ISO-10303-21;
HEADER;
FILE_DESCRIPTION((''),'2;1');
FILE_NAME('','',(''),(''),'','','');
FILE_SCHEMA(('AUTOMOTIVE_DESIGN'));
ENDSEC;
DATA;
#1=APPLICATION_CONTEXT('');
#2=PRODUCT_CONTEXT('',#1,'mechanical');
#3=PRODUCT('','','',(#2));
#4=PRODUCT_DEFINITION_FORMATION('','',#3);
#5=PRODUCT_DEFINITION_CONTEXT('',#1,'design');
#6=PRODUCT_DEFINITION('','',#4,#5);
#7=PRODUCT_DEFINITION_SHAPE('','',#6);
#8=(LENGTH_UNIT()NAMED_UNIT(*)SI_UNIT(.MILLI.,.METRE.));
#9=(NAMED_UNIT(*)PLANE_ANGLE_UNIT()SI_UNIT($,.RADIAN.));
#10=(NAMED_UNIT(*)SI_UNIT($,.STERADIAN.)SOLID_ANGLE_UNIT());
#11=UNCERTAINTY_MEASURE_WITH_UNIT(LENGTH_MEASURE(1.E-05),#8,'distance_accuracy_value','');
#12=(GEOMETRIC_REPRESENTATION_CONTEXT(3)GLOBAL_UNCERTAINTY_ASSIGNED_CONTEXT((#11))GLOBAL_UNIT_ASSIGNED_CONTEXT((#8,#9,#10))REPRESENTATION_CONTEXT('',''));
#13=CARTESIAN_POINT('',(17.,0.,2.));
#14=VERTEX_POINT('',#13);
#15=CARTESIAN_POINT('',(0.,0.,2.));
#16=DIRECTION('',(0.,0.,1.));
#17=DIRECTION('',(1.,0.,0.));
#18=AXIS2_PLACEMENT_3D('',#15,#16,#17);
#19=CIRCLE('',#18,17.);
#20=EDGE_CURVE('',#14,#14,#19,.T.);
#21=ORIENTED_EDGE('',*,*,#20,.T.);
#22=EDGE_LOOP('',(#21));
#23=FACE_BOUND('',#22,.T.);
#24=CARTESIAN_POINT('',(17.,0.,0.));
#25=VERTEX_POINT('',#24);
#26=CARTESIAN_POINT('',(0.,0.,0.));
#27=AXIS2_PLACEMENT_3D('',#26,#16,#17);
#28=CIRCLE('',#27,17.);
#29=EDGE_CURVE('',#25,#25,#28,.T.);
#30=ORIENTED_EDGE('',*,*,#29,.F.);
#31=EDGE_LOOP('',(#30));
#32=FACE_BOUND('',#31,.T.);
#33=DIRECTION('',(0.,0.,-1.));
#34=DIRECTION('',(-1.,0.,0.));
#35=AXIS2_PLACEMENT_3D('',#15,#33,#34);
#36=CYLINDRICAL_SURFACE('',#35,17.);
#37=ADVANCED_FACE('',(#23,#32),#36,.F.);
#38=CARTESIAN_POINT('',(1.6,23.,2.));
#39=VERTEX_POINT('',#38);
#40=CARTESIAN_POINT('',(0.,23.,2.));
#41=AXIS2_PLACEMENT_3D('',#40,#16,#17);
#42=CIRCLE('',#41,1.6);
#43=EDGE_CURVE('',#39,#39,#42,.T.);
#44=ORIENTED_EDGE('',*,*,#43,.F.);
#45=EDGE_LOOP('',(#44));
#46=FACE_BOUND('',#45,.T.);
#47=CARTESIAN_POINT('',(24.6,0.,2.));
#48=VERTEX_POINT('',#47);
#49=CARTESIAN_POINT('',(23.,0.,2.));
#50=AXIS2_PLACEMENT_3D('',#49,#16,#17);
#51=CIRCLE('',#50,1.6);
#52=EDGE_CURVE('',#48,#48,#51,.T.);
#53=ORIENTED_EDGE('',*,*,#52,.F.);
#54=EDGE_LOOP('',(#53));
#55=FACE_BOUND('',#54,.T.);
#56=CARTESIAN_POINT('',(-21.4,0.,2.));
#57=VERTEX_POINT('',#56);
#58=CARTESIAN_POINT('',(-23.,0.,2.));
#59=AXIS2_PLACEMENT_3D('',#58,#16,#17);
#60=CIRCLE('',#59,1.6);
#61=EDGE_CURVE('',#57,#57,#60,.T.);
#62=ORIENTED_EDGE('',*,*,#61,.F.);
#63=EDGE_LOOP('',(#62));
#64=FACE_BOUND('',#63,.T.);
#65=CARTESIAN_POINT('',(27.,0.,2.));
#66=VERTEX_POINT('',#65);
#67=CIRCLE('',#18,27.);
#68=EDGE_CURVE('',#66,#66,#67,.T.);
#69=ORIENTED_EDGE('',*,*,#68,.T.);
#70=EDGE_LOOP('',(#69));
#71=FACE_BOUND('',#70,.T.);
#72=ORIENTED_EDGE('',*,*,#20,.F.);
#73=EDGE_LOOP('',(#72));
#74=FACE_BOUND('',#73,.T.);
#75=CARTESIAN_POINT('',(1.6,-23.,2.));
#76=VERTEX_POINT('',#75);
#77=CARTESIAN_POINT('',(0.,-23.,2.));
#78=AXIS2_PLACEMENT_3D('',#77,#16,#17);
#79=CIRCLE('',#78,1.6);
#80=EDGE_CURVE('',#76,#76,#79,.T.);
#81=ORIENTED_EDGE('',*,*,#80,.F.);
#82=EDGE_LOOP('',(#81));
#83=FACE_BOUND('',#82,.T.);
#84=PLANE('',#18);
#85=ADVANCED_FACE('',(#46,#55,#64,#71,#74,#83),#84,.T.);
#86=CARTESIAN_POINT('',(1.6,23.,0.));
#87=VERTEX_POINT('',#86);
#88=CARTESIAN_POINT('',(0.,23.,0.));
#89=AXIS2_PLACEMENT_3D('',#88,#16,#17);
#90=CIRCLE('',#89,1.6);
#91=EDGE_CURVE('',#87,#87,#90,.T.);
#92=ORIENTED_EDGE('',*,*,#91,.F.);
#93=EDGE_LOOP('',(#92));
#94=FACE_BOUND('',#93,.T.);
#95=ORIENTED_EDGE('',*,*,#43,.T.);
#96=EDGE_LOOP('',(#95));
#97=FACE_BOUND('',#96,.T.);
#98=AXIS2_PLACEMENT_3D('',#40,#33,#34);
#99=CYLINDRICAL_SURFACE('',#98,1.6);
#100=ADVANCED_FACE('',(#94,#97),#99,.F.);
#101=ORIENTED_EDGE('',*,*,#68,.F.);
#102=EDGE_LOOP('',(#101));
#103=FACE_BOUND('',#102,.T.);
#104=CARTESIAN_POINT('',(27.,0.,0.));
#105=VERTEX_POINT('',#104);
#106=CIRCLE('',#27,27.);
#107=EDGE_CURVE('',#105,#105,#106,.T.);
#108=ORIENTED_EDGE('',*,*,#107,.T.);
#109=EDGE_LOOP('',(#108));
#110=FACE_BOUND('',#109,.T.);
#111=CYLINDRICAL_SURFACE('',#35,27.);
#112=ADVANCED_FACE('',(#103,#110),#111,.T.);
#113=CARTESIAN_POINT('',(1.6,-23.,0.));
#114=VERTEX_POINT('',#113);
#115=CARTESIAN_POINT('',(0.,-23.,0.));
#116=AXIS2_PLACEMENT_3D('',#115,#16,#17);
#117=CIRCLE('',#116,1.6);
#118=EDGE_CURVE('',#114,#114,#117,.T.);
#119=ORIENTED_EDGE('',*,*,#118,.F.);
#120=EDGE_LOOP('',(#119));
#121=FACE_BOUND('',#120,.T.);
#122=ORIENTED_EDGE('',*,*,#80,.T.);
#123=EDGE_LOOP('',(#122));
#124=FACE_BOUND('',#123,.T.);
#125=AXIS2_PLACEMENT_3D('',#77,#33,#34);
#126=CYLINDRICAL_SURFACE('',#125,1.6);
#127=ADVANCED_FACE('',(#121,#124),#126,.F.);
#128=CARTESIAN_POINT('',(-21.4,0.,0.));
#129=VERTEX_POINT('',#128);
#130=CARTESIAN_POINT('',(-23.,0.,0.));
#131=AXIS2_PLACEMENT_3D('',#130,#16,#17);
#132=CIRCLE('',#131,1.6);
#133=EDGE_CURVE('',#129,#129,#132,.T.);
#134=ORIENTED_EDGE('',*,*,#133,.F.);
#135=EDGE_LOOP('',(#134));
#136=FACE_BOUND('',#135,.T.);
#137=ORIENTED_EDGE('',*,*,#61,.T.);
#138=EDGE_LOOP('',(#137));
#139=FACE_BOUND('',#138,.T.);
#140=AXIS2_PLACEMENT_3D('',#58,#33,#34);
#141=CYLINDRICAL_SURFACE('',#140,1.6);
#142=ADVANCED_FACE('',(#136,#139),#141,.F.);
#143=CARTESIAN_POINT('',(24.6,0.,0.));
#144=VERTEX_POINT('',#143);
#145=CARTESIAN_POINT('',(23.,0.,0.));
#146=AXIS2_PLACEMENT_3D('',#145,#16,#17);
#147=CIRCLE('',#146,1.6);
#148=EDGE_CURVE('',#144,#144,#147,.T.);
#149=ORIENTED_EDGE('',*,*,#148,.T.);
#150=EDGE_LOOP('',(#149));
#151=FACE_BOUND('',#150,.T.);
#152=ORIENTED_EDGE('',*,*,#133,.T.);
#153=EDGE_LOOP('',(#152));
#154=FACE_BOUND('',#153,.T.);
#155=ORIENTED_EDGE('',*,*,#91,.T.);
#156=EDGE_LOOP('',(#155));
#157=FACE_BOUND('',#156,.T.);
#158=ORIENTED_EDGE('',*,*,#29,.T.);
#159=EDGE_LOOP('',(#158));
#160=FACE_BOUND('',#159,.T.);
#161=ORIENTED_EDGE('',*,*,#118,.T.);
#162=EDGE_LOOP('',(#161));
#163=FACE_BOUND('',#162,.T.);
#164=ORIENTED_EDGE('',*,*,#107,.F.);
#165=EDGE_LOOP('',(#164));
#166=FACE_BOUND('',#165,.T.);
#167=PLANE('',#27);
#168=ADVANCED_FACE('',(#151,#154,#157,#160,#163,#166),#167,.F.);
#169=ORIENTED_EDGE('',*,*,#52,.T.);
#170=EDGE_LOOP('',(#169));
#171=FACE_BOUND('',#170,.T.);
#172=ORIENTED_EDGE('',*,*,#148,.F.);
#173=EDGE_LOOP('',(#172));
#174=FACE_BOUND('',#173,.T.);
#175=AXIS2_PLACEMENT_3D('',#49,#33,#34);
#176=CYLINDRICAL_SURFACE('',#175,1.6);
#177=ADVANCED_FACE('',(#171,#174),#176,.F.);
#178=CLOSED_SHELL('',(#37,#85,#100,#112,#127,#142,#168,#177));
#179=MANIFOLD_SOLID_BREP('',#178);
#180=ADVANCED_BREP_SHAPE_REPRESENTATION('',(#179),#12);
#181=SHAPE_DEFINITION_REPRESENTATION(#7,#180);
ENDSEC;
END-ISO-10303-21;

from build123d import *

# Parameters (mm, degrees)
SKETCH_1_R      = 27
SKETCH_1_R_2    = 17
SKETCH_1_R_3    = 1.6
EXTRUDE_1_DEPTH = 2


with BuildPart() as part:
    # 草图1 → 凸台-拉伸1 (new body)
    with BuildSketch(Plane.XY):
        Circle(SKETCH_1_R)
        Circle(SKETCH_1_R_2, mode=Mode.SUBTRACT)
        with Locations((0, 23)):
            Circle(SKETCH_1_R_3, mode=Mode.SUBTRACT)
        with Locations((23, 0)):
            Circle(SKETCH_1_R_3, mode=Mode.SUBTRACT)
        with Locations((0, -23)):
            Circle(SKETCH_1_R_3, mode=Mode.SUBTRACT)
        with Locations((-23, 0)):
            Circle(SKETCH_1_R_3, mode=Mode.SUBTRACT)
    extrude(amount=EXTRUDE_1_DEPTH)


solid = part.part
